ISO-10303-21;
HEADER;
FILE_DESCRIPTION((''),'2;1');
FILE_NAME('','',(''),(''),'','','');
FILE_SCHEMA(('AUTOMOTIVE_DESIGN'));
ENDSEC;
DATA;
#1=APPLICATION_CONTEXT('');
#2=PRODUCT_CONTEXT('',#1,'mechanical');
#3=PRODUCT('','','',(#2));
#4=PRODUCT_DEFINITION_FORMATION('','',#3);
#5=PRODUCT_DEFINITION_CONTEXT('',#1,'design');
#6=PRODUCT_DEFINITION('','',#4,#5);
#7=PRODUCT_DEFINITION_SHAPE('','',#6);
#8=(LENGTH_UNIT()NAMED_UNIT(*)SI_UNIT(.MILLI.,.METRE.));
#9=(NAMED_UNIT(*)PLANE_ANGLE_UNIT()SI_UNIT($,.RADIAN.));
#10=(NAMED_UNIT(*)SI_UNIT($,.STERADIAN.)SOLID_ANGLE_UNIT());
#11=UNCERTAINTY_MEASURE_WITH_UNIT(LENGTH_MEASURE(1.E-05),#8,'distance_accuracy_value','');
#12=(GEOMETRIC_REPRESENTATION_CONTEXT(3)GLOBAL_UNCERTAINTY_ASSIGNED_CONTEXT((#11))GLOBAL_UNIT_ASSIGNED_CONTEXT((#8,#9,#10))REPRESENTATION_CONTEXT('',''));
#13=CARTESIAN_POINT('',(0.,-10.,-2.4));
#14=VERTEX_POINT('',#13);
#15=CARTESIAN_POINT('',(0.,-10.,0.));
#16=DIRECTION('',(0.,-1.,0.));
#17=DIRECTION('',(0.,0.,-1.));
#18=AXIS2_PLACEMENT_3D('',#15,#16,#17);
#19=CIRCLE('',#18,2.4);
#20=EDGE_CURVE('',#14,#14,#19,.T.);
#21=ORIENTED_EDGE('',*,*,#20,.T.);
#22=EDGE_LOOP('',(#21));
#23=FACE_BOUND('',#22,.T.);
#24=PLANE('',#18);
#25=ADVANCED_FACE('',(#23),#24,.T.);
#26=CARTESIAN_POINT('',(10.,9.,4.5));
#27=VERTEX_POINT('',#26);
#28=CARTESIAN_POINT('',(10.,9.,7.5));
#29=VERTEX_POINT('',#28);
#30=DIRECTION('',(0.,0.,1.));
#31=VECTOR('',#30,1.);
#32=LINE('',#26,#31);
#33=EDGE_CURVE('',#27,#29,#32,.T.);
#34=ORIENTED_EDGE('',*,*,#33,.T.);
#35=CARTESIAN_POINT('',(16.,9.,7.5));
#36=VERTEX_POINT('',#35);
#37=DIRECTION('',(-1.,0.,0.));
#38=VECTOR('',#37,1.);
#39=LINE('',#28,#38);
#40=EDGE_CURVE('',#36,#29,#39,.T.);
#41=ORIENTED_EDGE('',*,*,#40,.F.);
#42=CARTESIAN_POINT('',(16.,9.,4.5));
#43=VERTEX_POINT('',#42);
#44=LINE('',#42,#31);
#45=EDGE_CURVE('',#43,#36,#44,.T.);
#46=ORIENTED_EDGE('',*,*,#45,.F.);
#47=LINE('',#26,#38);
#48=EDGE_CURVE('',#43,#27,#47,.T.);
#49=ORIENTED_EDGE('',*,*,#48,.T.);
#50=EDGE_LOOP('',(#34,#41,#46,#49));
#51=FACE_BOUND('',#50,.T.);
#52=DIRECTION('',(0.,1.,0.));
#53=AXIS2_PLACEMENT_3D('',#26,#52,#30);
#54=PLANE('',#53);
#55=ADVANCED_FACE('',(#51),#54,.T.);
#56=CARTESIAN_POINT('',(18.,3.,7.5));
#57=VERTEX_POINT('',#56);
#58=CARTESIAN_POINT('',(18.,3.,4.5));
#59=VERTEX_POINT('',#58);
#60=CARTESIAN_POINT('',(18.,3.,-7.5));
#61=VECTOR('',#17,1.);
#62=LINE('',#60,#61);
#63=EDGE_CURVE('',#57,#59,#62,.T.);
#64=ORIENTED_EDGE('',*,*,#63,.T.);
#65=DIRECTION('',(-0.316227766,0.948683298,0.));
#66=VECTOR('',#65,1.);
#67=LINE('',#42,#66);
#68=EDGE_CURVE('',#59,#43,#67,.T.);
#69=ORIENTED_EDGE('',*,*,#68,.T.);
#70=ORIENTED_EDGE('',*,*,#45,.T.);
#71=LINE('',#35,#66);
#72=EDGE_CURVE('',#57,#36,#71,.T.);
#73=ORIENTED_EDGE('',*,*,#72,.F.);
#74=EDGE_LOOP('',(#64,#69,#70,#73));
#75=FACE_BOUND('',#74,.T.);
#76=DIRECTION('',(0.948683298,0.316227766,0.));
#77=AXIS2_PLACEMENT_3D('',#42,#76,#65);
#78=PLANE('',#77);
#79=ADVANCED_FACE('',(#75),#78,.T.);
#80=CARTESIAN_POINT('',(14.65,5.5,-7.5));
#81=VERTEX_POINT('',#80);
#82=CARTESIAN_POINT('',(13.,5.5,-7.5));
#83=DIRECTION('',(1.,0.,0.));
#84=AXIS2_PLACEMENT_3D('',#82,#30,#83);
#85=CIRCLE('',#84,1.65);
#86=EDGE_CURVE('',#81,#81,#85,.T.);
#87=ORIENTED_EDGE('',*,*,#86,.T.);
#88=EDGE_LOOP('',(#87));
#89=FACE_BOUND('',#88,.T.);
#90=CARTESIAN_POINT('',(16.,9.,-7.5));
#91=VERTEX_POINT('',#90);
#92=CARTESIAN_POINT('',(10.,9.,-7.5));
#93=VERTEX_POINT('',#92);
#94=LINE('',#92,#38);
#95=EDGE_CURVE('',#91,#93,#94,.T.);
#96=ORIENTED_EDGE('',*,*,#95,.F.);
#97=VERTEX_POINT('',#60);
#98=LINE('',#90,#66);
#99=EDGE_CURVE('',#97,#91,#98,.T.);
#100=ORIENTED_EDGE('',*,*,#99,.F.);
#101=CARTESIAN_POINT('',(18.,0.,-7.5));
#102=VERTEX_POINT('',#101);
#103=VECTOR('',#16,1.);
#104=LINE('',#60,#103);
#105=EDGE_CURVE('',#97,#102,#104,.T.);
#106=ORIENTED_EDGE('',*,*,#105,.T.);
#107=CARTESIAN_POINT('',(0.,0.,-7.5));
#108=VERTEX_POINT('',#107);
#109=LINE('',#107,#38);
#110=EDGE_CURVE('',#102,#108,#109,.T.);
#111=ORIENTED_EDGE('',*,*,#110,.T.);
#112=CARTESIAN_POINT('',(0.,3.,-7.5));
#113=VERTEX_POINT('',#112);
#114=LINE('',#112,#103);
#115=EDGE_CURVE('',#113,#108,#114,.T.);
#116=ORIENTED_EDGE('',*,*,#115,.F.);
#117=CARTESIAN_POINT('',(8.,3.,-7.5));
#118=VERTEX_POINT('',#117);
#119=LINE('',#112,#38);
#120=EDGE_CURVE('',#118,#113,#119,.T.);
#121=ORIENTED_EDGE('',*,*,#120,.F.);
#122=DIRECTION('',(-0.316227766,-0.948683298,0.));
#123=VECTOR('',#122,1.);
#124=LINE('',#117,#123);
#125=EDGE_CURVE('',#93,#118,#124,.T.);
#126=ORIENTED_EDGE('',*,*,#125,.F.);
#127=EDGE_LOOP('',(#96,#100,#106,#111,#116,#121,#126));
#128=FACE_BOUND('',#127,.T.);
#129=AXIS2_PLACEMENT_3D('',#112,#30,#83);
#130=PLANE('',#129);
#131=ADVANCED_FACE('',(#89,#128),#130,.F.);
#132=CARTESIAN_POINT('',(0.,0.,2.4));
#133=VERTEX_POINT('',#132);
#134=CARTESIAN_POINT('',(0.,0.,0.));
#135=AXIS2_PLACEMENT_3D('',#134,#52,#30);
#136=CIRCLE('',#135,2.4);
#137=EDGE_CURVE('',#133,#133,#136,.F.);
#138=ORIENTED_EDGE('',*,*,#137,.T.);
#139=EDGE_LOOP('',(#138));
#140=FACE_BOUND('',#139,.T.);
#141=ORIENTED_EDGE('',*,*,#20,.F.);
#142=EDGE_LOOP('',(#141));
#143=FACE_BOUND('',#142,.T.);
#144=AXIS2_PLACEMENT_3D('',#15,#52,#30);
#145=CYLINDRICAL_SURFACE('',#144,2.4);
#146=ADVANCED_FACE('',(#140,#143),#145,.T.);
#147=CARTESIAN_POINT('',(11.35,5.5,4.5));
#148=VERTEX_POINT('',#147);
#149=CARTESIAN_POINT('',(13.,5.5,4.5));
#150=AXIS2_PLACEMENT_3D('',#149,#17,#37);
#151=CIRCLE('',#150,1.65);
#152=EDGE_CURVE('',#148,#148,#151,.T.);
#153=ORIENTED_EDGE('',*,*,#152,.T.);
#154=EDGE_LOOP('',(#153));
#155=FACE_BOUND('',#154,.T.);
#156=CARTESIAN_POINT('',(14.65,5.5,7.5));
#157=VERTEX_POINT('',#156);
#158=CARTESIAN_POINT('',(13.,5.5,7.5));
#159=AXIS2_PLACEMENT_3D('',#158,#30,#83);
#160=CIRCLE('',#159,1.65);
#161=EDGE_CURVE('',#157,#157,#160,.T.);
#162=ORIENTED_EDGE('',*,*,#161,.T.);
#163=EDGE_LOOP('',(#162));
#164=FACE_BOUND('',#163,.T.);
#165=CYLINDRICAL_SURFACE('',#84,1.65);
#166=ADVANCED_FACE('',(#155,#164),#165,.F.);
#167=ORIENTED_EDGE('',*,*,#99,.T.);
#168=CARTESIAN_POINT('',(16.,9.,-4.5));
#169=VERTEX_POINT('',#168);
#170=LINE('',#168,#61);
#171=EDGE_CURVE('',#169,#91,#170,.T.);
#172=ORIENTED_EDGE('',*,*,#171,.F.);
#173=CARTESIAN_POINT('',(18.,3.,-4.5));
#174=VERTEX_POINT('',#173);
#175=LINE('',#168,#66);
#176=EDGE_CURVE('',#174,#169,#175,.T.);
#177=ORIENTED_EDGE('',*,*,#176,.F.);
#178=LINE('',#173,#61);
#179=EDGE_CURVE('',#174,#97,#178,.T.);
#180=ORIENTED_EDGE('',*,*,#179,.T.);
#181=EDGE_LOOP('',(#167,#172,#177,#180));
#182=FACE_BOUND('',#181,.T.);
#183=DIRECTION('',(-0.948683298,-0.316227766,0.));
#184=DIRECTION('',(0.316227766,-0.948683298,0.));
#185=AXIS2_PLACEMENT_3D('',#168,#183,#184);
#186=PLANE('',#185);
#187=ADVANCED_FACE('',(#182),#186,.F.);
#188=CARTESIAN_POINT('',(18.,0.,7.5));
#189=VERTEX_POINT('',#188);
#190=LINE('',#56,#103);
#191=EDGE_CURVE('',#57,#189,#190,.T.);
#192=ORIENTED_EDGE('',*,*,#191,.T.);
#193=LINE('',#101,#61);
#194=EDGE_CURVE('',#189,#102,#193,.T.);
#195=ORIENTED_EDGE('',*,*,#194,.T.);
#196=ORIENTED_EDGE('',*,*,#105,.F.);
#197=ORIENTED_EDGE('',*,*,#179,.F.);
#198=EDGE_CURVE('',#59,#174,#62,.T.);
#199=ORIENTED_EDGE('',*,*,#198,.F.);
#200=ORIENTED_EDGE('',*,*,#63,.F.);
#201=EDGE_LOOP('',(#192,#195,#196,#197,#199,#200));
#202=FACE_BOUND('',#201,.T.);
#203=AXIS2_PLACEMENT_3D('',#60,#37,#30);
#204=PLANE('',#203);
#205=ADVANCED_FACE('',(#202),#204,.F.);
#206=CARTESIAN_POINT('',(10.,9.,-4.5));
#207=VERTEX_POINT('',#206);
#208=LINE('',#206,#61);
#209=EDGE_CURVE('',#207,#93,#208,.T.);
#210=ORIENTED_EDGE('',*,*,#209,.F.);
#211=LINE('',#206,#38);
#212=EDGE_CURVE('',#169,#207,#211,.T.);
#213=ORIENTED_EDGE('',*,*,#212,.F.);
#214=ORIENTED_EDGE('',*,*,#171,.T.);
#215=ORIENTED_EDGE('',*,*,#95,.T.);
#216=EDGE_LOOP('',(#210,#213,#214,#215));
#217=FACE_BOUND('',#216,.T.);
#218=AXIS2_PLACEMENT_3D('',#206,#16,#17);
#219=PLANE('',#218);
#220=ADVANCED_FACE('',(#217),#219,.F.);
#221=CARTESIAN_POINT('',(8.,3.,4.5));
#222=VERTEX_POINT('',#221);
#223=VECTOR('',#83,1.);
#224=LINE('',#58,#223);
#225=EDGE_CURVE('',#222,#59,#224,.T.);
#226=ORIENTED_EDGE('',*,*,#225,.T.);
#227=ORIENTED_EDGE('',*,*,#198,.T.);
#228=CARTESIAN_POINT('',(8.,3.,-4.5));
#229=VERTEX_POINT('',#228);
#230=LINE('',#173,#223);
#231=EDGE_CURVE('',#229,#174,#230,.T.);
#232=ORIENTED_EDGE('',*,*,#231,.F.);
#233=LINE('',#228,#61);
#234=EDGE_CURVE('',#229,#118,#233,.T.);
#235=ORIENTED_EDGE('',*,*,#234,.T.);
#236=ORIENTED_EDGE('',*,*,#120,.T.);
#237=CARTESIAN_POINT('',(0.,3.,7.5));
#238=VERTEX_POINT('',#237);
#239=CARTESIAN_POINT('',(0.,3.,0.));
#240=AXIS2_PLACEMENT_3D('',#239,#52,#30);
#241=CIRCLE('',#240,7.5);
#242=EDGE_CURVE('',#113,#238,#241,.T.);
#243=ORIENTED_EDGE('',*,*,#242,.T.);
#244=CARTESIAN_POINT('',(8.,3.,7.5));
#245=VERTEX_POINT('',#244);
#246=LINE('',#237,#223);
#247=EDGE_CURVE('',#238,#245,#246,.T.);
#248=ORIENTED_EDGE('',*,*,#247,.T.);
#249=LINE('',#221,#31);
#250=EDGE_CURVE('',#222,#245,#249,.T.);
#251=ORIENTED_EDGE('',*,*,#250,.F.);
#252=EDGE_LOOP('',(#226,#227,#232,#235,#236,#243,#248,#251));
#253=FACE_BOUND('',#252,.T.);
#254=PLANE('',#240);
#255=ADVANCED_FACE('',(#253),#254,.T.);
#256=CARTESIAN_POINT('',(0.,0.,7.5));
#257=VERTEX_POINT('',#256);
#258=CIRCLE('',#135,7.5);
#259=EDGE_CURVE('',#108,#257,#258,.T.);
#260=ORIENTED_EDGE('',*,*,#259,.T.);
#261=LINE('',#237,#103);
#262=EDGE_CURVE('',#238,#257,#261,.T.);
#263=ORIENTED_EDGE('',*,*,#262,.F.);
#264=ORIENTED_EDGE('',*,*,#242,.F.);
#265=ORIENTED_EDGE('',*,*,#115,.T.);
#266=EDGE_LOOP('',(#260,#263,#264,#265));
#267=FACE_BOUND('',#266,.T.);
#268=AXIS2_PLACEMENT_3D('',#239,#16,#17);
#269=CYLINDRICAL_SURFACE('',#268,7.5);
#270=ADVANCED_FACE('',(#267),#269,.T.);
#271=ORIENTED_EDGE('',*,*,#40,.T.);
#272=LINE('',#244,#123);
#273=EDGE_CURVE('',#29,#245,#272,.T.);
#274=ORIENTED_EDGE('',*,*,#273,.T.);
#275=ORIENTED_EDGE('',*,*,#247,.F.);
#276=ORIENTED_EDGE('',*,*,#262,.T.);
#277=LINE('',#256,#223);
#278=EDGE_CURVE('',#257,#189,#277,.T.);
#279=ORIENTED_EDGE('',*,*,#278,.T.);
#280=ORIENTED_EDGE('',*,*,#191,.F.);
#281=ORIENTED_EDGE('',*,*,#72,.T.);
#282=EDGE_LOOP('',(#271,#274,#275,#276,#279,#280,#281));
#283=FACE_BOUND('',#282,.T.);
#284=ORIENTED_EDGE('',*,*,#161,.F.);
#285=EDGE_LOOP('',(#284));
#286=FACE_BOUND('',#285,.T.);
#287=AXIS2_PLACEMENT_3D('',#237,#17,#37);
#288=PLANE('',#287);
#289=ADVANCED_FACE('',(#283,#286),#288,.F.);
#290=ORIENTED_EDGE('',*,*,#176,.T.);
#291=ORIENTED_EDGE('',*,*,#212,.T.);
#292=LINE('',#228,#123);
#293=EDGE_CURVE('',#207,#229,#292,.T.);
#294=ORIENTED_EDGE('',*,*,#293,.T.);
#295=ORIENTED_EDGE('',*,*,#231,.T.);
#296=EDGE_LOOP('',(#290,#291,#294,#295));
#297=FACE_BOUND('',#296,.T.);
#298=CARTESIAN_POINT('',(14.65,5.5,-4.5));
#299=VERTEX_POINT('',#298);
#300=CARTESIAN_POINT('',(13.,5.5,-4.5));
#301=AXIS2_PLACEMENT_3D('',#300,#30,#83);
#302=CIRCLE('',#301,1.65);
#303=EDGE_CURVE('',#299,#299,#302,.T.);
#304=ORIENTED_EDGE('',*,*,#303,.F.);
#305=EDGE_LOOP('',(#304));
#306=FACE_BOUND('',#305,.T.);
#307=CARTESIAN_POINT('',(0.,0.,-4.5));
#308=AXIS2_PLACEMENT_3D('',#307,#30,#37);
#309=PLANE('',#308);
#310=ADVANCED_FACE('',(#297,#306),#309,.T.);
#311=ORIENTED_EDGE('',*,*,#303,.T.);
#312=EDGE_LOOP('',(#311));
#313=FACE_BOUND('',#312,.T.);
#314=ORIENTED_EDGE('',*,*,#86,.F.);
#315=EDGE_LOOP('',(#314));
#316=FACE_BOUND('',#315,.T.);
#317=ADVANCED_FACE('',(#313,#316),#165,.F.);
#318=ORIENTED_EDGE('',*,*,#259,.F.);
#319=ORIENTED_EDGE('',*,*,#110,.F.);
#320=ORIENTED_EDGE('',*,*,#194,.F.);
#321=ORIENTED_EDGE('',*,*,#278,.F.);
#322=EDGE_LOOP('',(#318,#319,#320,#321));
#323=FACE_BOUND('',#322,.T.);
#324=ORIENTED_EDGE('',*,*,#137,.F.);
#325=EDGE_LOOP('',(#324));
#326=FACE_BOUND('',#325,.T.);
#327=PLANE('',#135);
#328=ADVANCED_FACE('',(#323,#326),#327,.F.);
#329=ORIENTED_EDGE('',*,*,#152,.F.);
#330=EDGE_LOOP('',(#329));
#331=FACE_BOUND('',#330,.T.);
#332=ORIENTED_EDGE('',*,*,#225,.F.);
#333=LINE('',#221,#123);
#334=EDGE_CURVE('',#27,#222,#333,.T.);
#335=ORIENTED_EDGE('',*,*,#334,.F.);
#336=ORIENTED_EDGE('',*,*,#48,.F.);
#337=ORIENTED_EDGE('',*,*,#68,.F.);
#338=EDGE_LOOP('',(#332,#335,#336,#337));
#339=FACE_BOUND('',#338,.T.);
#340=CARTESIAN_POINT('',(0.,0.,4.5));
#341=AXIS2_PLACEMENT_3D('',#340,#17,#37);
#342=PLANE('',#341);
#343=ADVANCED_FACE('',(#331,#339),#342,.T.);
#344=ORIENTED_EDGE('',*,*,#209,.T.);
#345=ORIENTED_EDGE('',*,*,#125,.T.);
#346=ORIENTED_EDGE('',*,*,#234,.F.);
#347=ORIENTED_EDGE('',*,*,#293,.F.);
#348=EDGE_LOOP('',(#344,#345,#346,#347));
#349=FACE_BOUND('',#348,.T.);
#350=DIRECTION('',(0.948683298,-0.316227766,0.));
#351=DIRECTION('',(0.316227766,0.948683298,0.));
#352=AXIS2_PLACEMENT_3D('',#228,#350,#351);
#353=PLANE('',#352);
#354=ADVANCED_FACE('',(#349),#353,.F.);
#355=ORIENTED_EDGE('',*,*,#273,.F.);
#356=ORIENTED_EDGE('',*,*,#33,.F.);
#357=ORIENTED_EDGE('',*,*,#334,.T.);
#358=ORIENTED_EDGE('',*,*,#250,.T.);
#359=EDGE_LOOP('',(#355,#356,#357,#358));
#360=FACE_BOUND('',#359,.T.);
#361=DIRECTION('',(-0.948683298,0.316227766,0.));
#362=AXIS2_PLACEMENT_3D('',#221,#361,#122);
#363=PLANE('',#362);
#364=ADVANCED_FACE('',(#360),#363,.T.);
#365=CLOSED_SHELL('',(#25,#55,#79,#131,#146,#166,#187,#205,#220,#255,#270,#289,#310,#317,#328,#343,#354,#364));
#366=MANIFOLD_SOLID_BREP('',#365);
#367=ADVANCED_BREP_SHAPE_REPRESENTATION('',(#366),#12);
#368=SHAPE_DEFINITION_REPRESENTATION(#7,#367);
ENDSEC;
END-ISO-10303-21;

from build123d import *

# Parameters (mm, degrees)
EXTRUDE_1_DEPTH     = 3
SKETCH_2_R          = 2.4
EXTRUDE_2_DEPTH     = 10
EXTRUDE_3_DEPTH     = 3
SKETCH_4_R          = 1.65
CUT_EXTRUDE_1_DEPTH = 26.475478406


with BuildPart() as part:
    # 草图1 → 凸台-拉伸1 (new body)
    with BuildSketch(Plane(origin=(0, 0, 0), x_dir=(1, 0, 0), z_dir=(0, 1, 0))):
        with BuildLine():
            Line((0, 7.5), (18, 7.5))
            Line((18, 7.5), (18, -7.5))
            Line((18, -7.5), (0, -7.5))
            ThreePointArc((0, -7.5), (-7.5, 0), (0, 7.5))
        make_face()
    extrude(amount=EXTRUDE_1_DEPTH)

    # 草图2 → 凸台-拉伸2 (add)
    with BuildSketch(Plane.XZ):
        with Locations(Location((0, 0, 0), (0, 0, 90))):
            Circle(SKETCH_2_R)
    extrude(amount=EXTRUDE_2_DEPTH)

    # 草图3 → 凸台-拉伸3 (add)
    with BuildSketch(Plane.XY.offset(7.5)):
        Polygon((18, 3), (8, 3), (10, 9), (16, 9), align=None)
    extrude_3 = extrude(amount=-EXTRUDE_3_DEPTH)

    # 镜向1: 凸台-拉伸3 across plane
    add(extrude_3.mirror(Plane.XY))

    # 草图4 → 切除-拉伸1 (cut, through all)
    with BuildSketch(Plane.XY.offset(7.5)):
        with Locations((13, 5.5)):
            Circle(SKETCH_4_R)
    extrude(amount=-CUT_EXTRUDE_1_DEPTH, mode=Mode.SUBTRACT)


solid = part.part
